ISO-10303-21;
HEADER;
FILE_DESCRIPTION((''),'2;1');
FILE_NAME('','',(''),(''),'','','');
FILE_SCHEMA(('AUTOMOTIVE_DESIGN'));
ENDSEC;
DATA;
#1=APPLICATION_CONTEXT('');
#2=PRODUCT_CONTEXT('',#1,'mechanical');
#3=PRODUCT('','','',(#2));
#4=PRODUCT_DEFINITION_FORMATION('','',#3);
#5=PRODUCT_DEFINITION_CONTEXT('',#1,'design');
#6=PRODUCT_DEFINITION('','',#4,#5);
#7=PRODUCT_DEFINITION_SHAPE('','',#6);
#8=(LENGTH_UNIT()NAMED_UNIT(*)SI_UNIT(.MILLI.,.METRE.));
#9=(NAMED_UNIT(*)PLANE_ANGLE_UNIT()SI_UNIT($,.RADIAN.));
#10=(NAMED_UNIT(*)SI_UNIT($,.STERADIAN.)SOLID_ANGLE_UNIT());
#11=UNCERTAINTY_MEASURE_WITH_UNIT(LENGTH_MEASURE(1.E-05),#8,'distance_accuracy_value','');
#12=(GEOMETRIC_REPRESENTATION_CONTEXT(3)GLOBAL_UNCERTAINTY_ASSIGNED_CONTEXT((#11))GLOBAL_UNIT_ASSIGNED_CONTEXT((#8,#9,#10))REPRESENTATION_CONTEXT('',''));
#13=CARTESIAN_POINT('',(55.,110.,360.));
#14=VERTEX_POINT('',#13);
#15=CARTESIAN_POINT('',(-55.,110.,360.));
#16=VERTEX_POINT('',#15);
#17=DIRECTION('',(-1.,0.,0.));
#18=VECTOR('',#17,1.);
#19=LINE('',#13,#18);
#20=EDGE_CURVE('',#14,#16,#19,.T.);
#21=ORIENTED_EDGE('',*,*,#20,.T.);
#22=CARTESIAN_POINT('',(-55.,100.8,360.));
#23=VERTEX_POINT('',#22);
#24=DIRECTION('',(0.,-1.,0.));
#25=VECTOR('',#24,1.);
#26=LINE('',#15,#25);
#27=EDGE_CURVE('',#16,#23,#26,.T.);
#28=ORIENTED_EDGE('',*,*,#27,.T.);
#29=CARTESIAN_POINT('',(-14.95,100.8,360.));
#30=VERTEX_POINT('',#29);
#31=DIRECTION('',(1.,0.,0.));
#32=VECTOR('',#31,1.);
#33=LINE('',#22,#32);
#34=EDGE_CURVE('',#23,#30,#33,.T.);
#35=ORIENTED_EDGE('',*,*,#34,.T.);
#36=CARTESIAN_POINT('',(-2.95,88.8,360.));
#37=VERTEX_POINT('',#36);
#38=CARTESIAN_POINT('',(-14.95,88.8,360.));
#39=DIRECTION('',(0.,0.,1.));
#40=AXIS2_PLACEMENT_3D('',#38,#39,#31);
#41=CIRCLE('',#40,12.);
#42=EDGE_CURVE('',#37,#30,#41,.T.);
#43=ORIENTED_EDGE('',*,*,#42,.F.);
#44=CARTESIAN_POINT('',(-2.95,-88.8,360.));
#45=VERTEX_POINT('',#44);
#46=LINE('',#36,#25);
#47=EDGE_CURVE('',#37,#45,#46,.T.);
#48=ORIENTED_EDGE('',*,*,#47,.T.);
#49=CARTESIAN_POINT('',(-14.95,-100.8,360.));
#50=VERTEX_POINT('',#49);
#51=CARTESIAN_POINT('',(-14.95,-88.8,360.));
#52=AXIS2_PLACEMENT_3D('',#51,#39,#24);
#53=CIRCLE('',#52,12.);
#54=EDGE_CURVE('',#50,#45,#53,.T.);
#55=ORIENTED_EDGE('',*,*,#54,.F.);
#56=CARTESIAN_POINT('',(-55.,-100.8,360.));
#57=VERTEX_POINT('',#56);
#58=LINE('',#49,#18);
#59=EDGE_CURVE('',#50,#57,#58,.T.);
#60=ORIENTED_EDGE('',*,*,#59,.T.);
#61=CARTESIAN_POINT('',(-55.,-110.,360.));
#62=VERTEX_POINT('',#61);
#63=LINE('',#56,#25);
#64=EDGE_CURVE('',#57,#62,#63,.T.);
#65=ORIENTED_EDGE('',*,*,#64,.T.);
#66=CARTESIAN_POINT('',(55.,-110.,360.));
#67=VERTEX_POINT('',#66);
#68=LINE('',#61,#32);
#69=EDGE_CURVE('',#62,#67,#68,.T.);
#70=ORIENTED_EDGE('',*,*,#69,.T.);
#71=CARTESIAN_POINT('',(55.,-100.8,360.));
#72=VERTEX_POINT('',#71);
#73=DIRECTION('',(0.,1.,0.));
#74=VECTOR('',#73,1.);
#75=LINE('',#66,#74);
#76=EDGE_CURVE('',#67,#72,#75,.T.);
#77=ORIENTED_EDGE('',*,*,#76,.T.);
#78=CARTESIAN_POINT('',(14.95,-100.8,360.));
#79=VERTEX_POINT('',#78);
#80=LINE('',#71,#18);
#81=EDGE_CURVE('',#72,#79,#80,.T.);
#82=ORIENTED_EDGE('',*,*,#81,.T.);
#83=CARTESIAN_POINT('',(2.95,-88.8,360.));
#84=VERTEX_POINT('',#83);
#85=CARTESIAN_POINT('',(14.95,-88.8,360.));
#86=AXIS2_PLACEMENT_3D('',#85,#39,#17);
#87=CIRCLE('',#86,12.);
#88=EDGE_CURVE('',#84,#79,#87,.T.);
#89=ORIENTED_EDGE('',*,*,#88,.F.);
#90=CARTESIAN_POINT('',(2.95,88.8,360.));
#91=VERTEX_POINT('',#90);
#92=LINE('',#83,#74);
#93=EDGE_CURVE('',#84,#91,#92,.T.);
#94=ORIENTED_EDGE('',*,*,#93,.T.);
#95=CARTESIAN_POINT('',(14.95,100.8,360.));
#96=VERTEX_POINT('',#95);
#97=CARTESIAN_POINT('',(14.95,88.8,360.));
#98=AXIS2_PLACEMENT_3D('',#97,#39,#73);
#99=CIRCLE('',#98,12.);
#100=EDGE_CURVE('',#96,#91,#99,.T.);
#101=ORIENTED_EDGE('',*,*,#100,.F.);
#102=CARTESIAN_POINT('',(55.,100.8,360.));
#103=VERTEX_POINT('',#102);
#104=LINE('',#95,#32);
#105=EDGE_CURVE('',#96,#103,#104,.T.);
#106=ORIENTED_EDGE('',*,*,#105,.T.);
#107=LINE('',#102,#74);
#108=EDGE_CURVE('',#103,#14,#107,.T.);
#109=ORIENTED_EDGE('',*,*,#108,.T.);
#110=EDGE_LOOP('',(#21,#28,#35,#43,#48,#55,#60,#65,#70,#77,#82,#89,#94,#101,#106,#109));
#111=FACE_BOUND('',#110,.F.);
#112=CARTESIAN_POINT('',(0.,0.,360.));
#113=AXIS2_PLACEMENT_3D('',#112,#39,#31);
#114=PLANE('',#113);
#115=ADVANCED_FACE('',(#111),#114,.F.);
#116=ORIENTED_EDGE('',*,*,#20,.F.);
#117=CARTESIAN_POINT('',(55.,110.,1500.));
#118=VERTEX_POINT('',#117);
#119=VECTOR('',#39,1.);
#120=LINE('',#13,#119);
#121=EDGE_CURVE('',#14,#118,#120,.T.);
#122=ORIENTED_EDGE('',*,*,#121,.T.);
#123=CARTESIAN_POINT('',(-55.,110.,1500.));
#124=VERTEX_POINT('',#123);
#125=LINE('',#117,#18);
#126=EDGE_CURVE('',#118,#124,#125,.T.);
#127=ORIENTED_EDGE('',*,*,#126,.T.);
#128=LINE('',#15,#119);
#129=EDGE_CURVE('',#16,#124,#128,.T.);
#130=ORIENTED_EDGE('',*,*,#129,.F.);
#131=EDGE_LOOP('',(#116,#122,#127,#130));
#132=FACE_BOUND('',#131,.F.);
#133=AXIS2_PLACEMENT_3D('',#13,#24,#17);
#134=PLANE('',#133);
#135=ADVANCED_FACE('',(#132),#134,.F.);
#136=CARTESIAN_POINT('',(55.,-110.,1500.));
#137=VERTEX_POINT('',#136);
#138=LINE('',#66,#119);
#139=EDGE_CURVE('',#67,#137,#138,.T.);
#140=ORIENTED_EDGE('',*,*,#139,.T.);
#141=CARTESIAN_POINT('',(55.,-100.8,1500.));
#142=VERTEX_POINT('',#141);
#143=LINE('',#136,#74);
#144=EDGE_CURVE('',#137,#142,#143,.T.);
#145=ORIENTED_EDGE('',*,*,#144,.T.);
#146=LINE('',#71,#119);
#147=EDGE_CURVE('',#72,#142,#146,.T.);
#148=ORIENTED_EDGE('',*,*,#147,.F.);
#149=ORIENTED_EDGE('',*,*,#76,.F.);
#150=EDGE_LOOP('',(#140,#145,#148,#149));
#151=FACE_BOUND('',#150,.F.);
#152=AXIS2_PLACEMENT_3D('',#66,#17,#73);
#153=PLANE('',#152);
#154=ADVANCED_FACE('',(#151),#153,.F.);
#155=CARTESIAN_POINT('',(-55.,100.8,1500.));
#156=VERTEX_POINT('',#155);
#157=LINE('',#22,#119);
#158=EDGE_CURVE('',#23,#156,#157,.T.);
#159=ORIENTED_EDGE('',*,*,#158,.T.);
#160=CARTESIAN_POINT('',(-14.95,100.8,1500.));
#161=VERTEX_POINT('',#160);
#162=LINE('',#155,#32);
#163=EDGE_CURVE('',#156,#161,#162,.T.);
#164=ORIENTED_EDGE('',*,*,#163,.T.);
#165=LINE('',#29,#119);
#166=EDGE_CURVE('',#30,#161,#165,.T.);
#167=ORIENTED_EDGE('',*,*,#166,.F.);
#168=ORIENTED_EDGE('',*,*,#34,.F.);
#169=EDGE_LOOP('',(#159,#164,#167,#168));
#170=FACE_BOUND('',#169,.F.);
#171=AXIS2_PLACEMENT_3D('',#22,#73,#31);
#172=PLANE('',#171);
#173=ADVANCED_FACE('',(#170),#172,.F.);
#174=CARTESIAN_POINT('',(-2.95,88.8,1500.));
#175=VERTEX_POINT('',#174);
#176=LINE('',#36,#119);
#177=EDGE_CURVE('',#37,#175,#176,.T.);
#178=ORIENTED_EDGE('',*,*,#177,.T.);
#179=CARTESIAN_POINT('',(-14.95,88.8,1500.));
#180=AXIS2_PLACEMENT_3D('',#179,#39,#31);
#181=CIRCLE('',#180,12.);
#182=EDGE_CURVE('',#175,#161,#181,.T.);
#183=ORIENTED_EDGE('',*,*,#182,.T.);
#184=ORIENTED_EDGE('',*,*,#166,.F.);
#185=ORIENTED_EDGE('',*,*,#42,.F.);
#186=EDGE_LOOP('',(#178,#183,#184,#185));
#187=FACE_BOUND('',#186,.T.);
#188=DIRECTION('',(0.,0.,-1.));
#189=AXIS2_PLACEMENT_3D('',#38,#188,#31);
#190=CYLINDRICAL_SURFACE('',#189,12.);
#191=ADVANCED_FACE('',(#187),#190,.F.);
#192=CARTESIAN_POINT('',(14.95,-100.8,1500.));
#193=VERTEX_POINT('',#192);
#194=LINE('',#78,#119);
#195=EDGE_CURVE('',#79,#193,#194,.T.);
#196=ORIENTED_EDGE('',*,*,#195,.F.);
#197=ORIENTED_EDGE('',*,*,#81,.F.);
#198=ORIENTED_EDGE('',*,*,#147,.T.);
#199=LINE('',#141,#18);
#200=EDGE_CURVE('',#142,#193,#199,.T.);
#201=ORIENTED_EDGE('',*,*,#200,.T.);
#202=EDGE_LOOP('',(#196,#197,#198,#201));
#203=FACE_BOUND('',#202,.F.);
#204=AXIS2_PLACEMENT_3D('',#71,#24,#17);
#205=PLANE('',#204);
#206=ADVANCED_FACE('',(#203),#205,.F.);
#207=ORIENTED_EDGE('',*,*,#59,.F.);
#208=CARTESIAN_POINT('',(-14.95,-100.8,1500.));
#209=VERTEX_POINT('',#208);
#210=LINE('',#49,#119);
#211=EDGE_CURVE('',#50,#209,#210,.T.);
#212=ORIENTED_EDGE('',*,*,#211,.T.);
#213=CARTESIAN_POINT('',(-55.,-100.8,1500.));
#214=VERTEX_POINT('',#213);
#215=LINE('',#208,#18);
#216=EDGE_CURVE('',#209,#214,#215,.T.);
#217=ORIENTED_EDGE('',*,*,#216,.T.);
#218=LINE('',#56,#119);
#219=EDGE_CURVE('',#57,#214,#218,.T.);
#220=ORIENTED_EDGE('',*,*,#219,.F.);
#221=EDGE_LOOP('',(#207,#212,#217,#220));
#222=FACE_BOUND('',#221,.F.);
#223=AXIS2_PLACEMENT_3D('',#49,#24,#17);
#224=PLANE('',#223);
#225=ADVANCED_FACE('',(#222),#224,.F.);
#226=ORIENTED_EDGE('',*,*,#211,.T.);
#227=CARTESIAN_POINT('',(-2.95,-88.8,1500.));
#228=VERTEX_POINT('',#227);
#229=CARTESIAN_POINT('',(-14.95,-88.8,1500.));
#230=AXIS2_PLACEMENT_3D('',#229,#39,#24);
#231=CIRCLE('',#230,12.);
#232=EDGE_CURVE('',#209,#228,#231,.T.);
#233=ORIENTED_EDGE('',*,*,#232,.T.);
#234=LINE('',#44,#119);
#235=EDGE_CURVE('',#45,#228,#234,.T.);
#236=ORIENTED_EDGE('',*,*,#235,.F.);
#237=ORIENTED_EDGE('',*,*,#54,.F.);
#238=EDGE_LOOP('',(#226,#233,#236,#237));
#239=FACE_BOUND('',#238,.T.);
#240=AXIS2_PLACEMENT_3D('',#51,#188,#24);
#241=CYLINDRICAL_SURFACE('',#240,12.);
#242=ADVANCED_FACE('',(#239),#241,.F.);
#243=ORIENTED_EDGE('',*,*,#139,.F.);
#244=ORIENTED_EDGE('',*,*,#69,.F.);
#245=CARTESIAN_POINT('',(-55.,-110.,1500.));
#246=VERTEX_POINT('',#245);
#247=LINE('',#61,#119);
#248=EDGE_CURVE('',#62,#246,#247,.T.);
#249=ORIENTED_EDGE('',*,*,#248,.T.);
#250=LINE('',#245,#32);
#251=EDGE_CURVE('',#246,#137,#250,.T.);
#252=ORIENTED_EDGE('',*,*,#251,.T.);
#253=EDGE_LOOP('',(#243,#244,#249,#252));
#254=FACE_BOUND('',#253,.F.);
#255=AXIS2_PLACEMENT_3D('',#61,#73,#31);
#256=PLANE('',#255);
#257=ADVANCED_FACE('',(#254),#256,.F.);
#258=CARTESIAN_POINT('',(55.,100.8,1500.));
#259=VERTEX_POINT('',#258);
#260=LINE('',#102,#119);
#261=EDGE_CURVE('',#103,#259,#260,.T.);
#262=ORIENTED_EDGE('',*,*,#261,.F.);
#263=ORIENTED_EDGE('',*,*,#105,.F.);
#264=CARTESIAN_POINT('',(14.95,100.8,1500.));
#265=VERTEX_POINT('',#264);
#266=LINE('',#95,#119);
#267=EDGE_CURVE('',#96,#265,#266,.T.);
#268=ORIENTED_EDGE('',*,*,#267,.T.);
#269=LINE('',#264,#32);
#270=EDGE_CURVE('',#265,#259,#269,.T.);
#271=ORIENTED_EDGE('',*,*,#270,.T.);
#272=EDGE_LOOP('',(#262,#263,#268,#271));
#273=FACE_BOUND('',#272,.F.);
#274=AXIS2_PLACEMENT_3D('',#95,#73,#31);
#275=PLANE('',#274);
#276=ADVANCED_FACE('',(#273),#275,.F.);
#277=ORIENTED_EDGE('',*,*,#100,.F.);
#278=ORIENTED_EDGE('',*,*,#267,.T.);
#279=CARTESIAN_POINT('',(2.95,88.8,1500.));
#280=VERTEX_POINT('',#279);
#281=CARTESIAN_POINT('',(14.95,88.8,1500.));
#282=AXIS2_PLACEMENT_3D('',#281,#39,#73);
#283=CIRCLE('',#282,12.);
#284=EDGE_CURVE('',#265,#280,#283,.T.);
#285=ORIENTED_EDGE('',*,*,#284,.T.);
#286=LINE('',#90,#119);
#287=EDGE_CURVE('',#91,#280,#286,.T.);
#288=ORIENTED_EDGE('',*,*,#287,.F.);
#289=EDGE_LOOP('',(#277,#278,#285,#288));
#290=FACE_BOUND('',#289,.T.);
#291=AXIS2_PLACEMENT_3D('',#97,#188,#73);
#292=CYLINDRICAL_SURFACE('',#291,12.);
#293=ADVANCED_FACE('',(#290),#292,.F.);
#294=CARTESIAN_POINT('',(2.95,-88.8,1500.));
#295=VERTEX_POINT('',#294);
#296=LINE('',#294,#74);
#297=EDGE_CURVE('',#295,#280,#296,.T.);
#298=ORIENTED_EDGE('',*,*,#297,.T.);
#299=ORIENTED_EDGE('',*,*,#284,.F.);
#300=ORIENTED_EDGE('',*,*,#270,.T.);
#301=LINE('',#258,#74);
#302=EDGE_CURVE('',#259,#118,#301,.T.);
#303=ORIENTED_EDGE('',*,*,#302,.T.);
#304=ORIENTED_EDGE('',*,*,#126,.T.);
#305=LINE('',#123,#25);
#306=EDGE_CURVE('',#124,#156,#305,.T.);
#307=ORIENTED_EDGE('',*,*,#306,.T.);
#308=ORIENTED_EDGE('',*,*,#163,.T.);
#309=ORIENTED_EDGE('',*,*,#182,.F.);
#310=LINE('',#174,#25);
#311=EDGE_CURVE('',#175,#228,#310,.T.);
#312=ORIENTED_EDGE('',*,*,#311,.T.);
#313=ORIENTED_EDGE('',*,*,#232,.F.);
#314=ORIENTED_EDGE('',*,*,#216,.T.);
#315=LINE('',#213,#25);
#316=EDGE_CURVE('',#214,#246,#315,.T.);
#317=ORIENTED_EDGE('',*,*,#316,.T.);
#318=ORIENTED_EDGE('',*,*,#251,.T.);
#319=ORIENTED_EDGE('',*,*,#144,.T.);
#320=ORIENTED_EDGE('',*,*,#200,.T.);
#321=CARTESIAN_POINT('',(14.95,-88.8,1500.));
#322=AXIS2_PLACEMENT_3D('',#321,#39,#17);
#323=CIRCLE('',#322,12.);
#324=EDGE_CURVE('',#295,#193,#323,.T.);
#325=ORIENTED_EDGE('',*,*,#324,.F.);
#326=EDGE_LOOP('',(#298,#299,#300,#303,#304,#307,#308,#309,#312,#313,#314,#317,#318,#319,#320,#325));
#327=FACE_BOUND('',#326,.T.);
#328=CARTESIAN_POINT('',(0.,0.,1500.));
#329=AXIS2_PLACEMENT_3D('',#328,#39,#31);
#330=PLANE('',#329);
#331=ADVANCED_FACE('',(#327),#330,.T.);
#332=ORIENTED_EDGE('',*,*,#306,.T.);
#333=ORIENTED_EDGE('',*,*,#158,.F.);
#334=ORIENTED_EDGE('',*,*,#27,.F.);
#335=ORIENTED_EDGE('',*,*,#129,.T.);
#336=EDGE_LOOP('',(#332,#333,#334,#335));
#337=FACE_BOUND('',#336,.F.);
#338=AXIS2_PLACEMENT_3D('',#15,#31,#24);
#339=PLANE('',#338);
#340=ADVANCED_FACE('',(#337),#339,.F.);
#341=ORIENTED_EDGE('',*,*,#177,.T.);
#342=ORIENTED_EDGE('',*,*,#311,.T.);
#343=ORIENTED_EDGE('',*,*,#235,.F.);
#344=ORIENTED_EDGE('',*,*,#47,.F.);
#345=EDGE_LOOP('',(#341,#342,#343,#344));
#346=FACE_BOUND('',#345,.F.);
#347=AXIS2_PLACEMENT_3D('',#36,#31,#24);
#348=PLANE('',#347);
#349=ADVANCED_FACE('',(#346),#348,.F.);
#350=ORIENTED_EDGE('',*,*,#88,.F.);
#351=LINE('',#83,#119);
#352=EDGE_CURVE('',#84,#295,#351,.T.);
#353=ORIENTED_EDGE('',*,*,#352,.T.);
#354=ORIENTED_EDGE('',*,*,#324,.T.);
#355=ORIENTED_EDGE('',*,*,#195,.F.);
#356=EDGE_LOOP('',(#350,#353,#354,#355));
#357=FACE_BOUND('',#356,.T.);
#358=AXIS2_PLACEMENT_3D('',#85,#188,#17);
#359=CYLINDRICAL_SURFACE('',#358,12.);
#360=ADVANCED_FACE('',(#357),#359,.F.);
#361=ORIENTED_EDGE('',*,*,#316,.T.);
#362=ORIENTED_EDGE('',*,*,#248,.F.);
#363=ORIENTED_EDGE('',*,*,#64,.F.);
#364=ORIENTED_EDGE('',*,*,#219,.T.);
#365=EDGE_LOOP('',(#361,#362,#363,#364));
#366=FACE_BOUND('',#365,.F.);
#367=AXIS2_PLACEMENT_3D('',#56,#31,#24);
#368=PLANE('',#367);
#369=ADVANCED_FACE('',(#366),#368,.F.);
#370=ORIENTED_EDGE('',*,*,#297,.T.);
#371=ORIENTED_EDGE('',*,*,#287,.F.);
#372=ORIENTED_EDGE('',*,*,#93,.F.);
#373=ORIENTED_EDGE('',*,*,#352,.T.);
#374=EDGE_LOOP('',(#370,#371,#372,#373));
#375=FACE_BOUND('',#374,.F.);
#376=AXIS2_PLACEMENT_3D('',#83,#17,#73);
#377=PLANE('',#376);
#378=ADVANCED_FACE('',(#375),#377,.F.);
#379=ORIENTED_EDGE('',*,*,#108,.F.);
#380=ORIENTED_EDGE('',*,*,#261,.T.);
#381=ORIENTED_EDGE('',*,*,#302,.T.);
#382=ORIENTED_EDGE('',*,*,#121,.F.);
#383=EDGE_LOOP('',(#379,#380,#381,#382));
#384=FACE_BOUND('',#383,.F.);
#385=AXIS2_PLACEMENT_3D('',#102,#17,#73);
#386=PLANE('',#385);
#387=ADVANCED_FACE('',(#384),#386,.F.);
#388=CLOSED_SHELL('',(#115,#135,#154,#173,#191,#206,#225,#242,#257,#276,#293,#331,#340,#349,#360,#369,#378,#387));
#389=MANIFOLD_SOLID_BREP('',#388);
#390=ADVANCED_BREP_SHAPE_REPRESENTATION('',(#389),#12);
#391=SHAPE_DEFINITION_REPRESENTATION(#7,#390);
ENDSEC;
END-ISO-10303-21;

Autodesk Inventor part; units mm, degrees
ref_plane "Start plane" through (0, 0, 360) normal (0, 0, 1) x (1, 0, 0)
ref_plane "End plane" through (0, 0, 1500) normal (0, 0, 1) x (1, 0, 0)
sketch "Sketch2" plane through (0, 0, 0) normal (0, 0, 1) x (1, 0, 0)
  line L0 (-55, 100.8) -> (-14.95, 100.8)
  line L1 (-55, 110) -> (-55, 100.8)
  line L2 (55, 110) -> (-55, 110)
  line L3 (55, 100.8) -> (55, 110)
  line L4 (14.95, 100.8) -> (55, 100.8)
  line L5 (2.95, -88.8) -> (2.95, 88.8)
  line L6 (55, -100.8) -> (14.95, -100.8)
  line L7 (55, -110) -> (55, -100.8)
  line L8 (-55, -100.8) -> (-55, -110)
  line L9 (-14.95, -100.8) -> (-55, -100.8)
  line L10 (-2.95, 88.8) -> (-2.95, -88.8)
  line L11 (0, -154) -> (0, 154) construction
  line L12 (-2.95, -100.8) -> (2.95, -100.8) construction
  arc A0 (-14.95, -100.8) -> (-2.95, -88.8) centre (-14.95, -88.8) ccw
  arc A1 (-2.95, 88.8) -> (-14.95, 100.8) centre (-14.95, 88.8) ccw
  arc A2 (14.95, 100.8) -> (2.95, 88.8) centre (14.95, 88.8) ccw
  arc A3 (2.95, -88.8) -> (14.95, -100.8) centre (14.95, -88.8) ccw
  line L13 (-77, 0) -> (77, 0) construction
  line L14 (-55, -110) -> (55, -110)
  point P0 (-2.95, 100.8)
  point P1 (2.95, 100.8)
  point P2 (0, 0)
  point P3 (0, -100.8)
  point P4 (0, 0)
  dimension "d1" = 220
  dimension "d3" = 9.2
  dimension "d5" = 5.9
  dimension "d7" = 110
  dimension "d13" = 12
  dimension "d14" = 110
  dimension "d15" = 55
extrude "Body" add sketch "Sketch2" along normal up to surface (1140 mm away) from surface at 360
sketch "Sketch3" plane through (0, 0, 0) normal (0, 0, 1) x (1, 0, 0)
  line L0 (0, 0) -> (10, 0)
ref_plane "Work Plane3" through (0, 0, 0) normal (0, -1, 0) x (1, 0, 0)
ref_plane "Work Plane4" through (85, -4000, 360) normal (0, 0, -1) x (-1, 0, 0)
split "Split1" plane through (85, -4000, 360) removes the side toward (0, 0, -1)
sketch "Sketch4" plane through (0, 0, 0) normal (0, -1, 0) x (1, 0, 0)
  line L0 (-2, 360) -> (12, 360) projected
  line L1 (-2, 1500) -> (12, 1500) projected
  dimension "d19" = 1140
equation "\"d1\" = ParH"
equation "\"d3\" = t2"
equation "\"d5\" = t1"
equation "\"d7\" = b"
equation "\"d13\" = R1"
equation "\"d14\" = 0.5 * d1"
equation "\"d15\" = 0.5 * d7"
equation "\"d8\" = G_L"
equation "\"b\" = 110"
equation "\"ParH\" = 220"
equation "\"R1\" = 12"
equation "\"G_L\" = d19"
equation "\"t1\" = 5.9"
equation "\"t2\" = 9.2"
equation "\"G_OFFSET_END\" = 0"
properties part number "DIN 1025 - IPE 220-1140" material "Steel, Mild"
